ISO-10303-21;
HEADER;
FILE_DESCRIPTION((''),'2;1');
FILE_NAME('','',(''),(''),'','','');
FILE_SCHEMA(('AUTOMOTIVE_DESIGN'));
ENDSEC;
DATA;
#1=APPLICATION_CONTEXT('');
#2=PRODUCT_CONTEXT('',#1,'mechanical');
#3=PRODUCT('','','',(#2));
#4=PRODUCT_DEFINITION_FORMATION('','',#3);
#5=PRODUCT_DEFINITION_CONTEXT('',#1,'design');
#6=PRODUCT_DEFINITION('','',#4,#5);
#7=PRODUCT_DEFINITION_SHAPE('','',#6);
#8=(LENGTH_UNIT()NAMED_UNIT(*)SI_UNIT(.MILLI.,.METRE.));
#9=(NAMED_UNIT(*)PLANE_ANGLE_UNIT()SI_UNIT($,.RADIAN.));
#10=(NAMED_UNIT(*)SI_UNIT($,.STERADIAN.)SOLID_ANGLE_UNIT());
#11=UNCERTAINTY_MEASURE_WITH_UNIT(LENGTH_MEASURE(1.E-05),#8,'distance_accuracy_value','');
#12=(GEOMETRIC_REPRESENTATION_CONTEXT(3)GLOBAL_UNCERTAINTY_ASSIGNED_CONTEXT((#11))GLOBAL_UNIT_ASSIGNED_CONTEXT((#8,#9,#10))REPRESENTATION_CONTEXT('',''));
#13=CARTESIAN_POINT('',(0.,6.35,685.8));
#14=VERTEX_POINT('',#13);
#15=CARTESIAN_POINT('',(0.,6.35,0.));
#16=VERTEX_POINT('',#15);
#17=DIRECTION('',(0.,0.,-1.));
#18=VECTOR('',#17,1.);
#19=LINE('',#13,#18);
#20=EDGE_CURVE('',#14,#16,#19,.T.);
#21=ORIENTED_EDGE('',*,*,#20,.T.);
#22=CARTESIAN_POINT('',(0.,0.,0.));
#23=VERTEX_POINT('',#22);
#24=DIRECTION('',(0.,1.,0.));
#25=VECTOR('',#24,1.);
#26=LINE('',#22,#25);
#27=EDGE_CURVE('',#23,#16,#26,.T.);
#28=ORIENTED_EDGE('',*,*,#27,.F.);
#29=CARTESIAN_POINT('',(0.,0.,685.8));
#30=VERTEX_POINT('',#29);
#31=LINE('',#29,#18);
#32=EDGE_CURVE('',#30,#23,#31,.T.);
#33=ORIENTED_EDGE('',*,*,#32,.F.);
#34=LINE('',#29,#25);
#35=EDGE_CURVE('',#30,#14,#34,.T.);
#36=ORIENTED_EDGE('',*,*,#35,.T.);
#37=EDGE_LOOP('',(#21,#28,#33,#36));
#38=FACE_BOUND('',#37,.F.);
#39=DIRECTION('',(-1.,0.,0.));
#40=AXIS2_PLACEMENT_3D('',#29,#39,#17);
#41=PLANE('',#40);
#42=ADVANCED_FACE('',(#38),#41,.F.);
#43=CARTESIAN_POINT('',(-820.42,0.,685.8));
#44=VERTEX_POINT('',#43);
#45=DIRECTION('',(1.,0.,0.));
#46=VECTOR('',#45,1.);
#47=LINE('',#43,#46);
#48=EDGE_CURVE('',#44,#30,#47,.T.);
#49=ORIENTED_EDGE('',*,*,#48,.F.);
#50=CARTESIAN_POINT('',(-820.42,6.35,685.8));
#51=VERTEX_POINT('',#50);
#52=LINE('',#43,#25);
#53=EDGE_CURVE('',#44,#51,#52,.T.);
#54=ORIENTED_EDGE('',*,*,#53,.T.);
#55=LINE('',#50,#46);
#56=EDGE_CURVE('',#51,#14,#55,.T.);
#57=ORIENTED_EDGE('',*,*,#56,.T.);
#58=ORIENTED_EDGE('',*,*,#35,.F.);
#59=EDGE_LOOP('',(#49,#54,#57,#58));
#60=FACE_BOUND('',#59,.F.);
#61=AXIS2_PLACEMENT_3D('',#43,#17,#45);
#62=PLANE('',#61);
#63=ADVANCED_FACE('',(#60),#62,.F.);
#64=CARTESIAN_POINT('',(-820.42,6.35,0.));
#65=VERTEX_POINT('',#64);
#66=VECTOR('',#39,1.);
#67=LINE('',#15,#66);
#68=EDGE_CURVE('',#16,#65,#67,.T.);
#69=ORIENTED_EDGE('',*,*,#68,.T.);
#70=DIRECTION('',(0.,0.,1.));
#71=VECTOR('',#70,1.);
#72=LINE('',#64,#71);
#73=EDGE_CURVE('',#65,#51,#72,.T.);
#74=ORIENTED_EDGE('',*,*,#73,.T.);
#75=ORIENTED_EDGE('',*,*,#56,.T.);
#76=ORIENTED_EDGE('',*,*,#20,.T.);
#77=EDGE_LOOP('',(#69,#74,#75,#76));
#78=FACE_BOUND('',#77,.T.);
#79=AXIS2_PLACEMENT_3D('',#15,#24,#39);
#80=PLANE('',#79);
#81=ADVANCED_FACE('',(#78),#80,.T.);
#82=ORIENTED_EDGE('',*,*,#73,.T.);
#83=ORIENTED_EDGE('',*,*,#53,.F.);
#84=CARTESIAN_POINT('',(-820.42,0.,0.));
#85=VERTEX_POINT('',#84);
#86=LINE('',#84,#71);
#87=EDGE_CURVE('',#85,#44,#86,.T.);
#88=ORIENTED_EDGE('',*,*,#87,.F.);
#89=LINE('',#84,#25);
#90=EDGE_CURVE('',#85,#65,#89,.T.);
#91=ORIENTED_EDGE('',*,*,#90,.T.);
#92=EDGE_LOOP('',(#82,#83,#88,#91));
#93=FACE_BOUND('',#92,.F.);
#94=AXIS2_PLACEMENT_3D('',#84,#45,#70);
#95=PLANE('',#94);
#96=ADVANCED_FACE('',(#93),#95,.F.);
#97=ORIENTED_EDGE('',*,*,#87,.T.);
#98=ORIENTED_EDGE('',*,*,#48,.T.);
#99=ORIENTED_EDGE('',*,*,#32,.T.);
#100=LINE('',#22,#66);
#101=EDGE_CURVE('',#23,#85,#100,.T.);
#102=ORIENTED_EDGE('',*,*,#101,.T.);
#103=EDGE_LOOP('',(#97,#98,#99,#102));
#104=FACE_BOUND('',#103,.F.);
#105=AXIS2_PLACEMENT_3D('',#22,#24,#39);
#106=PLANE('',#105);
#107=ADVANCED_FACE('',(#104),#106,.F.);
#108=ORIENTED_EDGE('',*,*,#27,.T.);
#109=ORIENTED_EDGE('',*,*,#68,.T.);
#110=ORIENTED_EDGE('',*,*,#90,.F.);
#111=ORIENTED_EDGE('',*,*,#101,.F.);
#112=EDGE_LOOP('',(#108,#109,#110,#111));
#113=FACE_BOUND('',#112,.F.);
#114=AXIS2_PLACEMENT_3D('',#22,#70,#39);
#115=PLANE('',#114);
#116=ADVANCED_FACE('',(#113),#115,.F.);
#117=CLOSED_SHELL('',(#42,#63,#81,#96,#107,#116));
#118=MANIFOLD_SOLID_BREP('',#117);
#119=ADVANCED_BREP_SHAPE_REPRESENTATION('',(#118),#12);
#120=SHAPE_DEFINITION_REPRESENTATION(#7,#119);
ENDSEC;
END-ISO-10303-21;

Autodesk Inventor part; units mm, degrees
ref_plane "YZ Plane" through (0, 0, 0) normal (1, 0, 0) x (0, 1, 0)
ref_plane "XZ Plane" through (0, 0, 0) normal (0, 1, 0) x (-1, 0, 0)
ref_plane "XY Plane" through (0, 0, 0) normal (0, 0, 1) x (1, 0, 0)
sketch "Sketch1" plane through (0, 0, 0) normal (0, 1, 0) x (-1, 0, 0)
  line L0 (0, 0) -> (820.42, 0)
  line L1 (820.42, 0) -> (820.42, 685.8)
  line L2 (820.42, 685.8) -> (0, 685.8)
  line L3 (0, 685.8) -> (0, 0)
  dimension "d0" = 820.42
  dimension "d1" = 685.8
extrude "Extrusion1" add sketch "Sketch1" along normal blind 6.35
properties part number "Base"
